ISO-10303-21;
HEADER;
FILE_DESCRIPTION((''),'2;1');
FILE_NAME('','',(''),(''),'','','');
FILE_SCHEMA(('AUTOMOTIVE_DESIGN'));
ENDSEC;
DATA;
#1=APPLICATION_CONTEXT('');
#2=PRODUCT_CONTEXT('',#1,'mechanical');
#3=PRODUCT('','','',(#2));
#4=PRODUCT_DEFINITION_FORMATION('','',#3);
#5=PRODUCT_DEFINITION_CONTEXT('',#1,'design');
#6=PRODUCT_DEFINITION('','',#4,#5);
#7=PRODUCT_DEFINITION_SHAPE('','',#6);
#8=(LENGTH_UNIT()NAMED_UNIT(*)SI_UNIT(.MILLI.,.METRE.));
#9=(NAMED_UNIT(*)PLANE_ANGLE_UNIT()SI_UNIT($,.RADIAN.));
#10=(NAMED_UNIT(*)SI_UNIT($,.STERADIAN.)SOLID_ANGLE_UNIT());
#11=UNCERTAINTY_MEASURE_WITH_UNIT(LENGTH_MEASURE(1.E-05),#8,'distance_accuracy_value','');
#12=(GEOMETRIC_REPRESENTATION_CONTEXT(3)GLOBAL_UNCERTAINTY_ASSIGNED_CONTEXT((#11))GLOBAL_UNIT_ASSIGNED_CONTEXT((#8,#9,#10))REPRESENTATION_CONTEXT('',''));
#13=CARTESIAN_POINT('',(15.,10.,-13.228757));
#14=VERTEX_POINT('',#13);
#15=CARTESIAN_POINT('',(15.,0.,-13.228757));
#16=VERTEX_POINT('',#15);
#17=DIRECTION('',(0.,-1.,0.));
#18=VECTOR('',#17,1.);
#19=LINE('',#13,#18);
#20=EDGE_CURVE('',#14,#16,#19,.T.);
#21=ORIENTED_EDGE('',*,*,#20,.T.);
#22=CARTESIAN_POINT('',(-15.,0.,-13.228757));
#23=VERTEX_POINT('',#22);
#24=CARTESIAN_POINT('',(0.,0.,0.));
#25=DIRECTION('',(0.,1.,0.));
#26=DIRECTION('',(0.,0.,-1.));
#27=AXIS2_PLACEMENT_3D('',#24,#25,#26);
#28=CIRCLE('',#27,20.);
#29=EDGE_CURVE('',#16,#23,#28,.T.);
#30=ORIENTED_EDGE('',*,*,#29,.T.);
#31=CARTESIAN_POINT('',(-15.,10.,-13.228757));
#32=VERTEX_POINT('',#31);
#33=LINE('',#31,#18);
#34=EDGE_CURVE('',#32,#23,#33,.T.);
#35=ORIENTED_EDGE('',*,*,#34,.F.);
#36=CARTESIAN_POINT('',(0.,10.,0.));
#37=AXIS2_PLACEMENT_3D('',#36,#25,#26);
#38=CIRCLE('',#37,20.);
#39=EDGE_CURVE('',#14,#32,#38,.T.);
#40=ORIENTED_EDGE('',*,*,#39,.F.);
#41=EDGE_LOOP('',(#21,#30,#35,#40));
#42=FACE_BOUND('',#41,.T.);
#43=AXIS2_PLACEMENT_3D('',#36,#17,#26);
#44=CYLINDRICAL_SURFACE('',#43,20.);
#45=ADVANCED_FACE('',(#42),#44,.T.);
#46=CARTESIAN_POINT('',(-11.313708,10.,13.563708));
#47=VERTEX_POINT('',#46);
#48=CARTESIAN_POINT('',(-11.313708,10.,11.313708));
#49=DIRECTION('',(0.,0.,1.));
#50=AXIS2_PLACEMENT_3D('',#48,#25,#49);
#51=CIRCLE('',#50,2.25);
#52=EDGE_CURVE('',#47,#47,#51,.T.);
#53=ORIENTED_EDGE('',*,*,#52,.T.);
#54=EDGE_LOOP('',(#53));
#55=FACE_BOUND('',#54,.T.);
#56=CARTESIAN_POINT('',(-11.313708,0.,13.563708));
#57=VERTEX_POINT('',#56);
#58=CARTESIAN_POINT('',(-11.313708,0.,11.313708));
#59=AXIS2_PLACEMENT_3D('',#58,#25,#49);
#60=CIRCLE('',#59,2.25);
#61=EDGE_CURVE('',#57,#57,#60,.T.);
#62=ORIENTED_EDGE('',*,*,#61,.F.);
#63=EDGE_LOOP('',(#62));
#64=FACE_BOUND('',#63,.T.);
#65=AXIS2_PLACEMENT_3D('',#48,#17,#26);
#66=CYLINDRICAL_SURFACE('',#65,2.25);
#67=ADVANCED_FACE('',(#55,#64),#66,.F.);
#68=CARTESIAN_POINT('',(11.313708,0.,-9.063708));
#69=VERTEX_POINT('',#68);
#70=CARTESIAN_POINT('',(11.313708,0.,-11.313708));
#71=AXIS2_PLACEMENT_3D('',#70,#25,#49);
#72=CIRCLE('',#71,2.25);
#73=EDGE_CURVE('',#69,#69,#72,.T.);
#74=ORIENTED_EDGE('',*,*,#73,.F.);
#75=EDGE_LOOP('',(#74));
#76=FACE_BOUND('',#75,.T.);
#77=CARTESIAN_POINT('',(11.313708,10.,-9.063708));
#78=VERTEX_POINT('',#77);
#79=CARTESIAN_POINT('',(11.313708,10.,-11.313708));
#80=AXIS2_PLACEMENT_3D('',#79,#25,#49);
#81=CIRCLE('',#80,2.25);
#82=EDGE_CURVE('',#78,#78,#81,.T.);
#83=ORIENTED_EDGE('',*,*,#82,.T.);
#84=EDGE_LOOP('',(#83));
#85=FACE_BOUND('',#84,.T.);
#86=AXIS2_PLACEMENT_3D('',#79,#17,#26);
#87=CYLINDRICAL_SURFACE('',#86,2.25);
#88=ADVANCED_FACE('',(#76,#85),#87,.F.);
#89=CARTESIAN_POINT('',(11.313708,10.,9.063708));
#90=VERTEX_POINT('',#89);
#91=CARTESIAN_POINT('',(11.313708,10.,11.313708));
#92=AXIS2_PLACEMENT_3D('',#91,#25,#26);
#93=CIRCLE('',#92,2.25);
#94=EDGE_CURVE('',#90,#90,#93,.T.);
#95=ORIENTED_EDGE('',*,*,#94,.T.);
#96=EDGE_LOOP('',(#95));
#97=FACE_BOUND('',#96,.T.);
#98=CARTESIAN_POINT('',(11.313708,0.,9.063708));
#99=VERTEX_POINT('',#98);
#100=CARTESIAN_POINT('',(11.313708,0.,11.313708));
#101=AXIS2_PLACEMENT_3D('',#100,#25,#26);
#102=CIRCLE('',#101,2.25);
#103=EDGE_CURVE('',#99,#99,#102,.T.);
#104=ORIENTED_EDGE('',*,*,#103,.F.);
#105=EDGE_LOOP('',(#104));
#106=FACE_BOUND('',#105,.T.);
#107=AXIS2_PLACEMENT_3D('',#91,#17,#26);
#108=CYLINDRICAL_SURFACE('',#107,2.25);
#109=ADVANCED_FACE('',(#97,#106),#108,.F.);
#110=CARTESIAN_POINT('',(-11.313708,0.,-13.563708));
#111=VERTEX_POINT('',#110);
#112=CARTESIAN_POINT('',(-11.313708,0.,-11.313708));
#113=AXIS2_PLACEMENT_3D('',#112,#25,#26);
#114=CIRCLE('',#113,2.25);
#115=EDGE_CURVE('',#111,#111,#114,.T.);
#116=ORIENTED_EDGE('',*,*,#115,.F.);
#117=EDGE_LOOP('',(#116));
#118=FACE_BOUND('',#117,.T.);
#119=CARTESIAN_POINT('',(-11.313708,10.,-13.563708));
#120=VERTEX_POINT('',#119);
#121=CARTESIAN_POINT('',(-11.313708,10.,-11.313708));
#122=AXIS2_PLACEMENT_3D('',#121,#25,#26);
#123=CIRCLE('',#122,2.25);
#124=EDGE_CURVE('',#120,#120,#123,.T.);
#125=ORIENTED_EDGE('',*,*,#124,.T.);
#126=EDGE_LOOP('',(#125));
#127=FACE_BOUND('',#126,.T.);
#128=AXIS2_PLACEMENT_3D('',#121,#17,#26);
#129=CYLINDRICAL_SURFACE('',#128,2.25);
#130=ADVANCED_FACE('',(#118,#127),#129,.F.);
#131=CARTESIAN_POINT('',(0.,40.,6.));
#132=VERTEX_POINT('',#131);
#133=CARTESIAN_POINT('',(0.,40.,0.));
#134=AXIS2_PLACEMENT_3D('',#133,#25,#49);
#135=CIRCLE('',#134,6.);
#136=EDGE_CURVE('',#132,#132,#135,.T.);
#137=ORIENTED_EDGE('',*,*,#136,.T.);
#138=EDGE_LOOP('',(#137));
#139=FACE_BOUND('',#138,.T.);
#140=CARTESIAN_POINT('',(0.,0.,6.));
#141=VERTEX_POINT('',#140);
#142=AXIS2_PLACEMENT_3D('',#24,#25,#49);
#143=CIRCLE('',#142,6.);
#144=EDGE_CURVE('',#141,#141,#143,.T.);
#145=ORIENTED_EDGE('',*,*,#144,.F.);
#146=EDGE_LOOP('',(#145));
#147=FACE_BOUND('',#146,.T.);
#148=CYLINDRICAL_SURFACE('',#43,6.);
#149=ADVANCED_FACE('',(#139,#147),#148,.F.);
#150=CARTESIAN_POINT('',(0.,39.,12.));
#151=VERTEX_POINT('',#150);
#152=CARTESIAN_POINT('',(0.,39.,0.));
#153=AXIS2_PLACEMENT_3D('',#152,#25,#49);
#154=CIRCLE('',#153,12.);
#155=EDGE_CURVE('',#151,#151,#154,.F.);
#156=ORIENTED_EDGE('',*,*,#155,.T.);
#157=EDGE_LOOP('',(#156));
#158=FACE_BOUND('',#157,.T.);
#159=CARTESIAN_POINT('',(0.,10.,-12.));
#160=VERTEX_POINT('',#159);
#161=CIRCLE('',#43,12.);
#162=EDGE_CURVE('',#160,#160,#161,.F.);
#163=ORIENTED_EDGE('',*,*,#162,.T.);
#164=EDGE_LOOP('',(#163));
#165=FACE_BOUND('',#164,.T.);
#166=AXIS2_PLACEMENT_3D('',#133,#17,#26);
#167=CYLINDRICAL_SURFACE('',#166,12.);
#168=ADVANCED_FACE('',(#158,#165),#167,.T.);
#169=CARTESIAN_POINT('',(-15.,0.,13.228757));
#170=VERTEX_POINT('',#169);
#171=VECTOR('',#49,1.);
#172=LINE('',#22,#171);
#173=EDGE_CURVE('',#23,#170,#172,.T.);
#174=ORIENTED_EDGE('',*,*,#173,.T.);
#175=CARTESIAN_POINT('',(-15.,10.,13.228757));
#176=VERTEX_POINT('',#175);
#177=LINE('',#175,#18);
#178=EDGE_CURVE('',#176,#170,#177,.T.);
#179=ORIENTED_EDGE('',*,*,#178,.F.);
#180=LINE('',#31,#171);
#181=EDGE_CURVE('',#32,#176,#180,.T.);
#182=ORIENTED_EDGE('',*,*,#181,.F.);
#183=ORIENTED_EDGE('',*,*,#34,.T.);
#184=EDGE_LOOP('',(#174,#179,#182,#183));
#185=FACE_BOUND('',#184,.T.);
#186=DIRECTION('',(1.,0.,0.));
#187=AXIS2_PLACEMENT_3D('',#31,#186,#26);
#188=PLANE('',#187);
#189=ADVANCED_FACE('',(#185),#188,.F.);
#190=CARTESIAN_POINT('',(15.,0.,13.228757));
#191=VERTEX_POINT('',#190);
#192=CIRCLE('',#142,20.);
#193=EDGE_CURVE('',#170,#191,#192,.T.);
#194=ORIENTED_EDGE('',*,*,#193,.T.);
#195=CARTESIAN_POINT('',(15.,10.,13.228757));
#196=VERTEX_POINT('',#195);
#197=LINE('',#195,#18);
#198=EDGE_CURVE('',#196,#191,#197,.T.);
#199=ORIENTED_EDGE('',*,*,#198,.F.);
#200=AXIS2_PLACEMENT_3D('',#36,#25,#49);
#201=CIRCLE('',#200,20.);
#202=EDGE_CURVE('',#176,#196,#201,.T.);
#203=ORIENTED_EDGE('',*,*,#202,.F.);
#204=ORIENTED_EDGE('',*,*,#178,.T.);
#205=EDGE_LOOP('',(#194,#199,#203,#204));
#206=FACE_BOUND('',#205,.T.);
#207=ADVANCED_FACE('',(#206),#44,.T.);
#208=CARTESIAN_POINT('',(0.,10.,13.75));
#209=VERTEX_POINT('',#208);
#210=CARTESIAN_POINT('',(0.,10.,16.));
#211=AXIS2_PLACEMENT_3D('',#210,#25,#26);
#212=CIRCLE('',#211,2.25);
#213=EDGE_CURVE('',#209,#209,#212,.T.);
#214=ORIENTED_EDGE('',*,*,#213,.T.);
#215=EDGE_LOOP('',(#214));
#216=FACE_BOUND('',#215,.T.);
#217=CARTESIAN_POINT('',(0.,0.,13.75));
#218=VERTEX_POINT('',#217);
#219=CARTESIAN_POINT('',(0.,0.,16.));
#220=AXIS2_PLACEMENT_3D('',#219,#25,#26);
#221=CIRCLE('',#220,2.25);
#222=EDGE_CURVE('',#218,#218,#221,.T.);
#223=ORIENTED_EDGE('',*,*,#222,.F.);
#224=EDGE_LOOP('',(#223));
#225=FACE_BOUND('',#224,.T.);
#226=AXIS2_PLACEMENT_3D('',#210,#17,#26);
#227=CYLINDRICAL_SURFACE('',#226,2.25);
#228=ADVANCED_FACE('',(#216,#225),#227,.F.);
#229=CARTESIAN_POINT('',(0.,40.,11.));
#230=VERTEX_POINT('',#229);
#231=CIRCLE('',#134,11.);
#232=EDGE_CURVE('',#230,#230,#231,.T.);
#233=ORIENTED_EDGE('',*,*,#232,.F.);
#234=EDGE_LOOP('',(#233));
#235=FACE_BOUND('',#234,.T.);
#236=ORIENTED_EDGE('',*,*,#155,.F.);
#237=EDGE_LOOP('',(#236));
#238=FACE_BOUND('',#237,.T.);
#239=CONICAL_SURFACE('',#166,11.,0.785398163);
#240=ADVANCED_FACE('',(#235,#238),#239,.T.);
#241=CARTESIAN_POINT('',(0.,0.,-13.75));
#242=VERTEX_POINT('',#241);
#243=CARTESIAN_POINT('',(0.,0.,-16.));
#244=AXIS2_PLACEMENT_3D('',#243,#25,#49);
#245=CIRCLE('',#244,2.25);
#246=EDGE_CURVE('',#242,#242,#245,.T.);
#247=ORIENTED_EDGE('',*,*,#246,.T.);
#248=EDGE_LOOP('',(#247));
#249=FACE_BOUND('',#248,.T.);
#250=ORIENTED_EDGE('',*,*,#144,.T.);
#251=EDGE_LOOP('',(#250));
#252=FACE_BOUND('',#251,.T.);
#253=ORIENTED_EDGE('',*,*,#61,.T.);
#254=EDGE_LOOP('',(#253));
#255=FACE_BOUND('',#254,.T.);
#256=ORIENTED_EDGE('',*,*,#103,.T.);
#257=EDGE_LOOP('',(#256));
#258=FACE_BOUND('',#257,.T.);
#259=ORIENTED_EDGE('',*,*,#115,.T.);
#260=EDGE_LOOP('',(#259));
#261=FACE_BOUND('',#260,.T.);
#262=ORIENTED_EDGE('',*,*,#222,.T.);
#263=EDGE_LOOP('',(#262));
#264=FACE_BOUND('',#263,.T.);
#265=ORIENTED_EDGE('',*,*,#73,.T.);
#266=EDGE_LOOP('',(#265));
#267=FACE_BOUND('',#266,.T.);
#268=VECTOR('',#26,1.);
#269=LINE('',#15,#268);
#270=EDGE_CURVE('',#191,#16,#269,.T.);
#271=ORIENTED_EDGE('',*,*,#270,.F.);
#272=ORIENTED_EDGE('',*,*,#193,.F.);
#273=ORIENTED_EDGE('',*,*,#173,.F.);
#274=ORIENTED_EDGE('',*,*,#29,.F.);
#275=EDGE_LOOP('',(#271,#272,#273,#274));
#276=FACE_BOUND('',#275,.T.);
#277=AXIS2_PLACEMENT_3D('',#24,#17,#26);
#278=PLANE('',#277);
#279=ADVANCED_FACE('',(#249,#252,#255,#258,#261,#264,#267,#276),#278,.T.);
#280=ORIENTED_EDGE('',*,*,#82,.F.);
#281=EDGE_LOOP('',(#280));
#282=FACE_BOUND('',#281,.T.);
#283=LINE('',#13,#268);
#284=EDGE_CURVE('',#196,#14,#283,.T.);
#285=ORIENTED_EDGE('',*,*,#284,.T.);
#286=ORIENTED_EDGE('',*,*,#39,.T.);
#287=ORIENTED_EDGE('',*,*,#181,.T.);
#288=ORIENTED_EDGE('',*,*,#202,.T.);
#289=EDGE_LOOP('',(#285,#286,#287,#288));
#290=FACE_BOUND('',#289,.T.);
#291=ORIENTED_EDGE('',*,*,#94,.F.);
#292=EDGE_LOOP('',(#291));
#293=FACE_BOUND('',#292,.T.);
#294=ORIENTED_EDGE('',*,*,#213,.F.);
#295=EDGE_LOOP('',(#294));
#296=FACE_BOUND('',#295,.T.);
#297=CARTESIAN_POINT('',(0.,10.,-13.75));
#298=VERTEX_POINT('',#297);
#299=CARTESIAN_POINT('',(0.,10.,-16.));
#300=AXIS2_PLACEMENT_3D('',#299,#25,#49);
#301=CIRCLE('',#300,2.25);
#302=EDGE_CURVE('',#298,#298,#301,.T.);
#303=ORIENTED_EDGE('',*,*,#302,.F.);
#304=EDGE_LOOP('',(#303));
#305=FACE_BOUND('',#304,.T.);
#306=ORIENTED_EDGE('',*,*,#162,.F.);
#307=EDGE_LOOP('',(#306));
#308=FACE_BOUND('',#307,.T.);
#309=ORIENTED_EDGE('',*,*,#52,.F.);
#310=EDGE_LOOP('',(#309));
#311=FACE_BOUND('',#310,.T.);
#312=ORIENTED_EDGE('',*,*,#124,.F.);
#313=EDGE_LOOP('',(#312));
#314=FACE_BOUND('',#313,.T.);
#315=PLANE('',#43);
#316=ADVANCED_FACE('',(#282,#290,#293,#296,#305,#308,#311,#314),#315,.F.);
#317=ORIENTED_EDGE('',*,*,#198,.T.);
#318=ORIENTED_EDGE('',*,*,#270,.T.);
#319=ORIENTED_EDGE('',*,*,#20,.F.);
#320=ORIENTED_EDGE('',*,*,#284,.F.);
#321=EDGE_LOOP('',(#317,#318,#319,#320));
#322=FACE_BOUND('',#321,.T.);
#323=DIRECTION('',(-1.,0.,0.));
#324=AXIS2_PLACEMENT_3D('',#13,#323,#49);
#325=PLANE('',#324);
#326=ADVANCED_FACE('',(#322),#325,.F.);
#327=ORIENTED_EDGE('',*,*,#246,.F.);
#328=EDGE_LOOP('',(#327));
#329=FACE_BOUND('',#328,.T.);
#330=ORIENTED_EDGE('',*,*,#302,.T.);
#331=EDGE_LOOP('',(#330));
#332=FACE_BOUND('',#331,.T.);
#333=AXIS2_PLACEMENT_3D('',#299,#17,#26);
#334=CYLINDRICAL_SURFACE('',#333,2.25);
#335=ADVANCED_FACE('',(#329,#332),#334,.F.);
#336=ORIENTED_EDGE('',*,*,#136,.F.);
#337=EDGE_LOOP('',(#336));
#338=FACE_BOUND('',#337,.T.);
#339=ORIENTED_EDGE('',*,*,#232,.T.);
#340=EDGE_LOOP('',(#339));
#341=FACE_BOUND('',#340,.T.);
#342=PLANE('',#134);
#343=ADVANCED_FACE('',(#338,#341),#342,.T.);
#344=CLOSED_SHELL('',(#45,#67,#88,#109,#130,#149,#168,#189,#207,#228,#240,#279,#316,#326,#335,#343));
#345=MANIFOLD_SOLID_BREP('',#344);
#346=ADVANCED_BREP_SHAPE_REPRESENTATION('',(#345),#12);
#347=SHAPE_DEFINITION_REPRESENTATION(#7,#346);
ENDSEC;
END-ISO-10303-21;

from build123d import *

# Parameters (mm, degrees)
SKETCH_1_R      = 6
SKETCH_1_R_2    = 2.25
EXTRUDE_1_DEPTH = 10
SKETCH_2_R      = 12
SKETCH_2_R_2    = 6
EXTRUDE_2_DEPTH = 30
CHAMFER_1_SIZE  = 1


with BuildPart() as part:
    # 草图1 → 凸台-拉伸1 (new body)
    with BuildSketch(Plane(origin=(0, 0, 0), x_dir=(1, 0, 0), z_dir=(0, 1, 0))):
        with BuildLine():
            Line((-15, 13.228756555), (-15, -13.228756555))
            ThreePointArc((-15, -13.228756555), (0, -20), (15, -13.228756555))
            Line((15, -13.228756555), (15, 13.228756555))
            ThreePointArc((15, 13.228756555), (0, 20), (-15, 13.228756555))
        make_face()
        with Locations(Location((0, 0, 0), (0, 0, 270))):
            Circle(SKETCH_1_R, mode=Mode.SUBTRACT)
        with Locations(Location((0, 16, 0), (0, 0, 270))):
            Circle(SKETCH_1_R_2, mode=Mode.SUBTRACT)
        with Locations(Location((11.313708499, 11.313708499, 0), (0, 0, 270))):
            Circle(SKETCH_1_R_2, mode=Mode.SUBTRACT)
        with Locations(Location((-11.313708499, 11.313708499, 0), (0, 0, 90))):
            Circle(SKETCH_1_R_2, mode=Mode.SUBTRACT)
        with Locations(Location((-11.313708499, -11.313708499, 0), (0, 0, 270))):
            Circle(SKETCH_1_R_2, mode=Mode.SUBTRACT)
        with Locations(Location((0, -16, 0), (0, 0, 90))):
            Circle(SKETCH_1_R_2, mode=Mode.SUBTRACT)
        with Locations(Location((11.313708499, -11.313708499, 0), (0, 0, 90))):
            Circle(SKETCH_1_R_2, mode=Mode.SUBTRACT)
    extrude(amount=EXTRUDE_1_DEPTH)

    # 草图2 → 凸台-拉伸2 (add)
    with BuildSketch(Plane(origin=(0, 10, 0), x_dir=(1, 0, 0), z_dir=(0, 1, 0))):
        with Locations(Location((0, 0, 0), (0, 0, 90))):
            Circle(SKETCH_2_R)
        with Locations(Location((0, 0, 0), (0, 0, 270))):
            Circle(SKETCH_2_R_2, mode=Mode.SUBTRACT)
    extrude(amount=EXTRUDE_2_DEPTH)

    # 倒角1
    chamfer_1_edges = [part.edges().sort_by_distance(p)[0] for p in [
        (0, 40, 12),
    ]]
    chamfer(chamfer_1_edges, length=CHAMFER_1_SIZE)


solid = part.part
